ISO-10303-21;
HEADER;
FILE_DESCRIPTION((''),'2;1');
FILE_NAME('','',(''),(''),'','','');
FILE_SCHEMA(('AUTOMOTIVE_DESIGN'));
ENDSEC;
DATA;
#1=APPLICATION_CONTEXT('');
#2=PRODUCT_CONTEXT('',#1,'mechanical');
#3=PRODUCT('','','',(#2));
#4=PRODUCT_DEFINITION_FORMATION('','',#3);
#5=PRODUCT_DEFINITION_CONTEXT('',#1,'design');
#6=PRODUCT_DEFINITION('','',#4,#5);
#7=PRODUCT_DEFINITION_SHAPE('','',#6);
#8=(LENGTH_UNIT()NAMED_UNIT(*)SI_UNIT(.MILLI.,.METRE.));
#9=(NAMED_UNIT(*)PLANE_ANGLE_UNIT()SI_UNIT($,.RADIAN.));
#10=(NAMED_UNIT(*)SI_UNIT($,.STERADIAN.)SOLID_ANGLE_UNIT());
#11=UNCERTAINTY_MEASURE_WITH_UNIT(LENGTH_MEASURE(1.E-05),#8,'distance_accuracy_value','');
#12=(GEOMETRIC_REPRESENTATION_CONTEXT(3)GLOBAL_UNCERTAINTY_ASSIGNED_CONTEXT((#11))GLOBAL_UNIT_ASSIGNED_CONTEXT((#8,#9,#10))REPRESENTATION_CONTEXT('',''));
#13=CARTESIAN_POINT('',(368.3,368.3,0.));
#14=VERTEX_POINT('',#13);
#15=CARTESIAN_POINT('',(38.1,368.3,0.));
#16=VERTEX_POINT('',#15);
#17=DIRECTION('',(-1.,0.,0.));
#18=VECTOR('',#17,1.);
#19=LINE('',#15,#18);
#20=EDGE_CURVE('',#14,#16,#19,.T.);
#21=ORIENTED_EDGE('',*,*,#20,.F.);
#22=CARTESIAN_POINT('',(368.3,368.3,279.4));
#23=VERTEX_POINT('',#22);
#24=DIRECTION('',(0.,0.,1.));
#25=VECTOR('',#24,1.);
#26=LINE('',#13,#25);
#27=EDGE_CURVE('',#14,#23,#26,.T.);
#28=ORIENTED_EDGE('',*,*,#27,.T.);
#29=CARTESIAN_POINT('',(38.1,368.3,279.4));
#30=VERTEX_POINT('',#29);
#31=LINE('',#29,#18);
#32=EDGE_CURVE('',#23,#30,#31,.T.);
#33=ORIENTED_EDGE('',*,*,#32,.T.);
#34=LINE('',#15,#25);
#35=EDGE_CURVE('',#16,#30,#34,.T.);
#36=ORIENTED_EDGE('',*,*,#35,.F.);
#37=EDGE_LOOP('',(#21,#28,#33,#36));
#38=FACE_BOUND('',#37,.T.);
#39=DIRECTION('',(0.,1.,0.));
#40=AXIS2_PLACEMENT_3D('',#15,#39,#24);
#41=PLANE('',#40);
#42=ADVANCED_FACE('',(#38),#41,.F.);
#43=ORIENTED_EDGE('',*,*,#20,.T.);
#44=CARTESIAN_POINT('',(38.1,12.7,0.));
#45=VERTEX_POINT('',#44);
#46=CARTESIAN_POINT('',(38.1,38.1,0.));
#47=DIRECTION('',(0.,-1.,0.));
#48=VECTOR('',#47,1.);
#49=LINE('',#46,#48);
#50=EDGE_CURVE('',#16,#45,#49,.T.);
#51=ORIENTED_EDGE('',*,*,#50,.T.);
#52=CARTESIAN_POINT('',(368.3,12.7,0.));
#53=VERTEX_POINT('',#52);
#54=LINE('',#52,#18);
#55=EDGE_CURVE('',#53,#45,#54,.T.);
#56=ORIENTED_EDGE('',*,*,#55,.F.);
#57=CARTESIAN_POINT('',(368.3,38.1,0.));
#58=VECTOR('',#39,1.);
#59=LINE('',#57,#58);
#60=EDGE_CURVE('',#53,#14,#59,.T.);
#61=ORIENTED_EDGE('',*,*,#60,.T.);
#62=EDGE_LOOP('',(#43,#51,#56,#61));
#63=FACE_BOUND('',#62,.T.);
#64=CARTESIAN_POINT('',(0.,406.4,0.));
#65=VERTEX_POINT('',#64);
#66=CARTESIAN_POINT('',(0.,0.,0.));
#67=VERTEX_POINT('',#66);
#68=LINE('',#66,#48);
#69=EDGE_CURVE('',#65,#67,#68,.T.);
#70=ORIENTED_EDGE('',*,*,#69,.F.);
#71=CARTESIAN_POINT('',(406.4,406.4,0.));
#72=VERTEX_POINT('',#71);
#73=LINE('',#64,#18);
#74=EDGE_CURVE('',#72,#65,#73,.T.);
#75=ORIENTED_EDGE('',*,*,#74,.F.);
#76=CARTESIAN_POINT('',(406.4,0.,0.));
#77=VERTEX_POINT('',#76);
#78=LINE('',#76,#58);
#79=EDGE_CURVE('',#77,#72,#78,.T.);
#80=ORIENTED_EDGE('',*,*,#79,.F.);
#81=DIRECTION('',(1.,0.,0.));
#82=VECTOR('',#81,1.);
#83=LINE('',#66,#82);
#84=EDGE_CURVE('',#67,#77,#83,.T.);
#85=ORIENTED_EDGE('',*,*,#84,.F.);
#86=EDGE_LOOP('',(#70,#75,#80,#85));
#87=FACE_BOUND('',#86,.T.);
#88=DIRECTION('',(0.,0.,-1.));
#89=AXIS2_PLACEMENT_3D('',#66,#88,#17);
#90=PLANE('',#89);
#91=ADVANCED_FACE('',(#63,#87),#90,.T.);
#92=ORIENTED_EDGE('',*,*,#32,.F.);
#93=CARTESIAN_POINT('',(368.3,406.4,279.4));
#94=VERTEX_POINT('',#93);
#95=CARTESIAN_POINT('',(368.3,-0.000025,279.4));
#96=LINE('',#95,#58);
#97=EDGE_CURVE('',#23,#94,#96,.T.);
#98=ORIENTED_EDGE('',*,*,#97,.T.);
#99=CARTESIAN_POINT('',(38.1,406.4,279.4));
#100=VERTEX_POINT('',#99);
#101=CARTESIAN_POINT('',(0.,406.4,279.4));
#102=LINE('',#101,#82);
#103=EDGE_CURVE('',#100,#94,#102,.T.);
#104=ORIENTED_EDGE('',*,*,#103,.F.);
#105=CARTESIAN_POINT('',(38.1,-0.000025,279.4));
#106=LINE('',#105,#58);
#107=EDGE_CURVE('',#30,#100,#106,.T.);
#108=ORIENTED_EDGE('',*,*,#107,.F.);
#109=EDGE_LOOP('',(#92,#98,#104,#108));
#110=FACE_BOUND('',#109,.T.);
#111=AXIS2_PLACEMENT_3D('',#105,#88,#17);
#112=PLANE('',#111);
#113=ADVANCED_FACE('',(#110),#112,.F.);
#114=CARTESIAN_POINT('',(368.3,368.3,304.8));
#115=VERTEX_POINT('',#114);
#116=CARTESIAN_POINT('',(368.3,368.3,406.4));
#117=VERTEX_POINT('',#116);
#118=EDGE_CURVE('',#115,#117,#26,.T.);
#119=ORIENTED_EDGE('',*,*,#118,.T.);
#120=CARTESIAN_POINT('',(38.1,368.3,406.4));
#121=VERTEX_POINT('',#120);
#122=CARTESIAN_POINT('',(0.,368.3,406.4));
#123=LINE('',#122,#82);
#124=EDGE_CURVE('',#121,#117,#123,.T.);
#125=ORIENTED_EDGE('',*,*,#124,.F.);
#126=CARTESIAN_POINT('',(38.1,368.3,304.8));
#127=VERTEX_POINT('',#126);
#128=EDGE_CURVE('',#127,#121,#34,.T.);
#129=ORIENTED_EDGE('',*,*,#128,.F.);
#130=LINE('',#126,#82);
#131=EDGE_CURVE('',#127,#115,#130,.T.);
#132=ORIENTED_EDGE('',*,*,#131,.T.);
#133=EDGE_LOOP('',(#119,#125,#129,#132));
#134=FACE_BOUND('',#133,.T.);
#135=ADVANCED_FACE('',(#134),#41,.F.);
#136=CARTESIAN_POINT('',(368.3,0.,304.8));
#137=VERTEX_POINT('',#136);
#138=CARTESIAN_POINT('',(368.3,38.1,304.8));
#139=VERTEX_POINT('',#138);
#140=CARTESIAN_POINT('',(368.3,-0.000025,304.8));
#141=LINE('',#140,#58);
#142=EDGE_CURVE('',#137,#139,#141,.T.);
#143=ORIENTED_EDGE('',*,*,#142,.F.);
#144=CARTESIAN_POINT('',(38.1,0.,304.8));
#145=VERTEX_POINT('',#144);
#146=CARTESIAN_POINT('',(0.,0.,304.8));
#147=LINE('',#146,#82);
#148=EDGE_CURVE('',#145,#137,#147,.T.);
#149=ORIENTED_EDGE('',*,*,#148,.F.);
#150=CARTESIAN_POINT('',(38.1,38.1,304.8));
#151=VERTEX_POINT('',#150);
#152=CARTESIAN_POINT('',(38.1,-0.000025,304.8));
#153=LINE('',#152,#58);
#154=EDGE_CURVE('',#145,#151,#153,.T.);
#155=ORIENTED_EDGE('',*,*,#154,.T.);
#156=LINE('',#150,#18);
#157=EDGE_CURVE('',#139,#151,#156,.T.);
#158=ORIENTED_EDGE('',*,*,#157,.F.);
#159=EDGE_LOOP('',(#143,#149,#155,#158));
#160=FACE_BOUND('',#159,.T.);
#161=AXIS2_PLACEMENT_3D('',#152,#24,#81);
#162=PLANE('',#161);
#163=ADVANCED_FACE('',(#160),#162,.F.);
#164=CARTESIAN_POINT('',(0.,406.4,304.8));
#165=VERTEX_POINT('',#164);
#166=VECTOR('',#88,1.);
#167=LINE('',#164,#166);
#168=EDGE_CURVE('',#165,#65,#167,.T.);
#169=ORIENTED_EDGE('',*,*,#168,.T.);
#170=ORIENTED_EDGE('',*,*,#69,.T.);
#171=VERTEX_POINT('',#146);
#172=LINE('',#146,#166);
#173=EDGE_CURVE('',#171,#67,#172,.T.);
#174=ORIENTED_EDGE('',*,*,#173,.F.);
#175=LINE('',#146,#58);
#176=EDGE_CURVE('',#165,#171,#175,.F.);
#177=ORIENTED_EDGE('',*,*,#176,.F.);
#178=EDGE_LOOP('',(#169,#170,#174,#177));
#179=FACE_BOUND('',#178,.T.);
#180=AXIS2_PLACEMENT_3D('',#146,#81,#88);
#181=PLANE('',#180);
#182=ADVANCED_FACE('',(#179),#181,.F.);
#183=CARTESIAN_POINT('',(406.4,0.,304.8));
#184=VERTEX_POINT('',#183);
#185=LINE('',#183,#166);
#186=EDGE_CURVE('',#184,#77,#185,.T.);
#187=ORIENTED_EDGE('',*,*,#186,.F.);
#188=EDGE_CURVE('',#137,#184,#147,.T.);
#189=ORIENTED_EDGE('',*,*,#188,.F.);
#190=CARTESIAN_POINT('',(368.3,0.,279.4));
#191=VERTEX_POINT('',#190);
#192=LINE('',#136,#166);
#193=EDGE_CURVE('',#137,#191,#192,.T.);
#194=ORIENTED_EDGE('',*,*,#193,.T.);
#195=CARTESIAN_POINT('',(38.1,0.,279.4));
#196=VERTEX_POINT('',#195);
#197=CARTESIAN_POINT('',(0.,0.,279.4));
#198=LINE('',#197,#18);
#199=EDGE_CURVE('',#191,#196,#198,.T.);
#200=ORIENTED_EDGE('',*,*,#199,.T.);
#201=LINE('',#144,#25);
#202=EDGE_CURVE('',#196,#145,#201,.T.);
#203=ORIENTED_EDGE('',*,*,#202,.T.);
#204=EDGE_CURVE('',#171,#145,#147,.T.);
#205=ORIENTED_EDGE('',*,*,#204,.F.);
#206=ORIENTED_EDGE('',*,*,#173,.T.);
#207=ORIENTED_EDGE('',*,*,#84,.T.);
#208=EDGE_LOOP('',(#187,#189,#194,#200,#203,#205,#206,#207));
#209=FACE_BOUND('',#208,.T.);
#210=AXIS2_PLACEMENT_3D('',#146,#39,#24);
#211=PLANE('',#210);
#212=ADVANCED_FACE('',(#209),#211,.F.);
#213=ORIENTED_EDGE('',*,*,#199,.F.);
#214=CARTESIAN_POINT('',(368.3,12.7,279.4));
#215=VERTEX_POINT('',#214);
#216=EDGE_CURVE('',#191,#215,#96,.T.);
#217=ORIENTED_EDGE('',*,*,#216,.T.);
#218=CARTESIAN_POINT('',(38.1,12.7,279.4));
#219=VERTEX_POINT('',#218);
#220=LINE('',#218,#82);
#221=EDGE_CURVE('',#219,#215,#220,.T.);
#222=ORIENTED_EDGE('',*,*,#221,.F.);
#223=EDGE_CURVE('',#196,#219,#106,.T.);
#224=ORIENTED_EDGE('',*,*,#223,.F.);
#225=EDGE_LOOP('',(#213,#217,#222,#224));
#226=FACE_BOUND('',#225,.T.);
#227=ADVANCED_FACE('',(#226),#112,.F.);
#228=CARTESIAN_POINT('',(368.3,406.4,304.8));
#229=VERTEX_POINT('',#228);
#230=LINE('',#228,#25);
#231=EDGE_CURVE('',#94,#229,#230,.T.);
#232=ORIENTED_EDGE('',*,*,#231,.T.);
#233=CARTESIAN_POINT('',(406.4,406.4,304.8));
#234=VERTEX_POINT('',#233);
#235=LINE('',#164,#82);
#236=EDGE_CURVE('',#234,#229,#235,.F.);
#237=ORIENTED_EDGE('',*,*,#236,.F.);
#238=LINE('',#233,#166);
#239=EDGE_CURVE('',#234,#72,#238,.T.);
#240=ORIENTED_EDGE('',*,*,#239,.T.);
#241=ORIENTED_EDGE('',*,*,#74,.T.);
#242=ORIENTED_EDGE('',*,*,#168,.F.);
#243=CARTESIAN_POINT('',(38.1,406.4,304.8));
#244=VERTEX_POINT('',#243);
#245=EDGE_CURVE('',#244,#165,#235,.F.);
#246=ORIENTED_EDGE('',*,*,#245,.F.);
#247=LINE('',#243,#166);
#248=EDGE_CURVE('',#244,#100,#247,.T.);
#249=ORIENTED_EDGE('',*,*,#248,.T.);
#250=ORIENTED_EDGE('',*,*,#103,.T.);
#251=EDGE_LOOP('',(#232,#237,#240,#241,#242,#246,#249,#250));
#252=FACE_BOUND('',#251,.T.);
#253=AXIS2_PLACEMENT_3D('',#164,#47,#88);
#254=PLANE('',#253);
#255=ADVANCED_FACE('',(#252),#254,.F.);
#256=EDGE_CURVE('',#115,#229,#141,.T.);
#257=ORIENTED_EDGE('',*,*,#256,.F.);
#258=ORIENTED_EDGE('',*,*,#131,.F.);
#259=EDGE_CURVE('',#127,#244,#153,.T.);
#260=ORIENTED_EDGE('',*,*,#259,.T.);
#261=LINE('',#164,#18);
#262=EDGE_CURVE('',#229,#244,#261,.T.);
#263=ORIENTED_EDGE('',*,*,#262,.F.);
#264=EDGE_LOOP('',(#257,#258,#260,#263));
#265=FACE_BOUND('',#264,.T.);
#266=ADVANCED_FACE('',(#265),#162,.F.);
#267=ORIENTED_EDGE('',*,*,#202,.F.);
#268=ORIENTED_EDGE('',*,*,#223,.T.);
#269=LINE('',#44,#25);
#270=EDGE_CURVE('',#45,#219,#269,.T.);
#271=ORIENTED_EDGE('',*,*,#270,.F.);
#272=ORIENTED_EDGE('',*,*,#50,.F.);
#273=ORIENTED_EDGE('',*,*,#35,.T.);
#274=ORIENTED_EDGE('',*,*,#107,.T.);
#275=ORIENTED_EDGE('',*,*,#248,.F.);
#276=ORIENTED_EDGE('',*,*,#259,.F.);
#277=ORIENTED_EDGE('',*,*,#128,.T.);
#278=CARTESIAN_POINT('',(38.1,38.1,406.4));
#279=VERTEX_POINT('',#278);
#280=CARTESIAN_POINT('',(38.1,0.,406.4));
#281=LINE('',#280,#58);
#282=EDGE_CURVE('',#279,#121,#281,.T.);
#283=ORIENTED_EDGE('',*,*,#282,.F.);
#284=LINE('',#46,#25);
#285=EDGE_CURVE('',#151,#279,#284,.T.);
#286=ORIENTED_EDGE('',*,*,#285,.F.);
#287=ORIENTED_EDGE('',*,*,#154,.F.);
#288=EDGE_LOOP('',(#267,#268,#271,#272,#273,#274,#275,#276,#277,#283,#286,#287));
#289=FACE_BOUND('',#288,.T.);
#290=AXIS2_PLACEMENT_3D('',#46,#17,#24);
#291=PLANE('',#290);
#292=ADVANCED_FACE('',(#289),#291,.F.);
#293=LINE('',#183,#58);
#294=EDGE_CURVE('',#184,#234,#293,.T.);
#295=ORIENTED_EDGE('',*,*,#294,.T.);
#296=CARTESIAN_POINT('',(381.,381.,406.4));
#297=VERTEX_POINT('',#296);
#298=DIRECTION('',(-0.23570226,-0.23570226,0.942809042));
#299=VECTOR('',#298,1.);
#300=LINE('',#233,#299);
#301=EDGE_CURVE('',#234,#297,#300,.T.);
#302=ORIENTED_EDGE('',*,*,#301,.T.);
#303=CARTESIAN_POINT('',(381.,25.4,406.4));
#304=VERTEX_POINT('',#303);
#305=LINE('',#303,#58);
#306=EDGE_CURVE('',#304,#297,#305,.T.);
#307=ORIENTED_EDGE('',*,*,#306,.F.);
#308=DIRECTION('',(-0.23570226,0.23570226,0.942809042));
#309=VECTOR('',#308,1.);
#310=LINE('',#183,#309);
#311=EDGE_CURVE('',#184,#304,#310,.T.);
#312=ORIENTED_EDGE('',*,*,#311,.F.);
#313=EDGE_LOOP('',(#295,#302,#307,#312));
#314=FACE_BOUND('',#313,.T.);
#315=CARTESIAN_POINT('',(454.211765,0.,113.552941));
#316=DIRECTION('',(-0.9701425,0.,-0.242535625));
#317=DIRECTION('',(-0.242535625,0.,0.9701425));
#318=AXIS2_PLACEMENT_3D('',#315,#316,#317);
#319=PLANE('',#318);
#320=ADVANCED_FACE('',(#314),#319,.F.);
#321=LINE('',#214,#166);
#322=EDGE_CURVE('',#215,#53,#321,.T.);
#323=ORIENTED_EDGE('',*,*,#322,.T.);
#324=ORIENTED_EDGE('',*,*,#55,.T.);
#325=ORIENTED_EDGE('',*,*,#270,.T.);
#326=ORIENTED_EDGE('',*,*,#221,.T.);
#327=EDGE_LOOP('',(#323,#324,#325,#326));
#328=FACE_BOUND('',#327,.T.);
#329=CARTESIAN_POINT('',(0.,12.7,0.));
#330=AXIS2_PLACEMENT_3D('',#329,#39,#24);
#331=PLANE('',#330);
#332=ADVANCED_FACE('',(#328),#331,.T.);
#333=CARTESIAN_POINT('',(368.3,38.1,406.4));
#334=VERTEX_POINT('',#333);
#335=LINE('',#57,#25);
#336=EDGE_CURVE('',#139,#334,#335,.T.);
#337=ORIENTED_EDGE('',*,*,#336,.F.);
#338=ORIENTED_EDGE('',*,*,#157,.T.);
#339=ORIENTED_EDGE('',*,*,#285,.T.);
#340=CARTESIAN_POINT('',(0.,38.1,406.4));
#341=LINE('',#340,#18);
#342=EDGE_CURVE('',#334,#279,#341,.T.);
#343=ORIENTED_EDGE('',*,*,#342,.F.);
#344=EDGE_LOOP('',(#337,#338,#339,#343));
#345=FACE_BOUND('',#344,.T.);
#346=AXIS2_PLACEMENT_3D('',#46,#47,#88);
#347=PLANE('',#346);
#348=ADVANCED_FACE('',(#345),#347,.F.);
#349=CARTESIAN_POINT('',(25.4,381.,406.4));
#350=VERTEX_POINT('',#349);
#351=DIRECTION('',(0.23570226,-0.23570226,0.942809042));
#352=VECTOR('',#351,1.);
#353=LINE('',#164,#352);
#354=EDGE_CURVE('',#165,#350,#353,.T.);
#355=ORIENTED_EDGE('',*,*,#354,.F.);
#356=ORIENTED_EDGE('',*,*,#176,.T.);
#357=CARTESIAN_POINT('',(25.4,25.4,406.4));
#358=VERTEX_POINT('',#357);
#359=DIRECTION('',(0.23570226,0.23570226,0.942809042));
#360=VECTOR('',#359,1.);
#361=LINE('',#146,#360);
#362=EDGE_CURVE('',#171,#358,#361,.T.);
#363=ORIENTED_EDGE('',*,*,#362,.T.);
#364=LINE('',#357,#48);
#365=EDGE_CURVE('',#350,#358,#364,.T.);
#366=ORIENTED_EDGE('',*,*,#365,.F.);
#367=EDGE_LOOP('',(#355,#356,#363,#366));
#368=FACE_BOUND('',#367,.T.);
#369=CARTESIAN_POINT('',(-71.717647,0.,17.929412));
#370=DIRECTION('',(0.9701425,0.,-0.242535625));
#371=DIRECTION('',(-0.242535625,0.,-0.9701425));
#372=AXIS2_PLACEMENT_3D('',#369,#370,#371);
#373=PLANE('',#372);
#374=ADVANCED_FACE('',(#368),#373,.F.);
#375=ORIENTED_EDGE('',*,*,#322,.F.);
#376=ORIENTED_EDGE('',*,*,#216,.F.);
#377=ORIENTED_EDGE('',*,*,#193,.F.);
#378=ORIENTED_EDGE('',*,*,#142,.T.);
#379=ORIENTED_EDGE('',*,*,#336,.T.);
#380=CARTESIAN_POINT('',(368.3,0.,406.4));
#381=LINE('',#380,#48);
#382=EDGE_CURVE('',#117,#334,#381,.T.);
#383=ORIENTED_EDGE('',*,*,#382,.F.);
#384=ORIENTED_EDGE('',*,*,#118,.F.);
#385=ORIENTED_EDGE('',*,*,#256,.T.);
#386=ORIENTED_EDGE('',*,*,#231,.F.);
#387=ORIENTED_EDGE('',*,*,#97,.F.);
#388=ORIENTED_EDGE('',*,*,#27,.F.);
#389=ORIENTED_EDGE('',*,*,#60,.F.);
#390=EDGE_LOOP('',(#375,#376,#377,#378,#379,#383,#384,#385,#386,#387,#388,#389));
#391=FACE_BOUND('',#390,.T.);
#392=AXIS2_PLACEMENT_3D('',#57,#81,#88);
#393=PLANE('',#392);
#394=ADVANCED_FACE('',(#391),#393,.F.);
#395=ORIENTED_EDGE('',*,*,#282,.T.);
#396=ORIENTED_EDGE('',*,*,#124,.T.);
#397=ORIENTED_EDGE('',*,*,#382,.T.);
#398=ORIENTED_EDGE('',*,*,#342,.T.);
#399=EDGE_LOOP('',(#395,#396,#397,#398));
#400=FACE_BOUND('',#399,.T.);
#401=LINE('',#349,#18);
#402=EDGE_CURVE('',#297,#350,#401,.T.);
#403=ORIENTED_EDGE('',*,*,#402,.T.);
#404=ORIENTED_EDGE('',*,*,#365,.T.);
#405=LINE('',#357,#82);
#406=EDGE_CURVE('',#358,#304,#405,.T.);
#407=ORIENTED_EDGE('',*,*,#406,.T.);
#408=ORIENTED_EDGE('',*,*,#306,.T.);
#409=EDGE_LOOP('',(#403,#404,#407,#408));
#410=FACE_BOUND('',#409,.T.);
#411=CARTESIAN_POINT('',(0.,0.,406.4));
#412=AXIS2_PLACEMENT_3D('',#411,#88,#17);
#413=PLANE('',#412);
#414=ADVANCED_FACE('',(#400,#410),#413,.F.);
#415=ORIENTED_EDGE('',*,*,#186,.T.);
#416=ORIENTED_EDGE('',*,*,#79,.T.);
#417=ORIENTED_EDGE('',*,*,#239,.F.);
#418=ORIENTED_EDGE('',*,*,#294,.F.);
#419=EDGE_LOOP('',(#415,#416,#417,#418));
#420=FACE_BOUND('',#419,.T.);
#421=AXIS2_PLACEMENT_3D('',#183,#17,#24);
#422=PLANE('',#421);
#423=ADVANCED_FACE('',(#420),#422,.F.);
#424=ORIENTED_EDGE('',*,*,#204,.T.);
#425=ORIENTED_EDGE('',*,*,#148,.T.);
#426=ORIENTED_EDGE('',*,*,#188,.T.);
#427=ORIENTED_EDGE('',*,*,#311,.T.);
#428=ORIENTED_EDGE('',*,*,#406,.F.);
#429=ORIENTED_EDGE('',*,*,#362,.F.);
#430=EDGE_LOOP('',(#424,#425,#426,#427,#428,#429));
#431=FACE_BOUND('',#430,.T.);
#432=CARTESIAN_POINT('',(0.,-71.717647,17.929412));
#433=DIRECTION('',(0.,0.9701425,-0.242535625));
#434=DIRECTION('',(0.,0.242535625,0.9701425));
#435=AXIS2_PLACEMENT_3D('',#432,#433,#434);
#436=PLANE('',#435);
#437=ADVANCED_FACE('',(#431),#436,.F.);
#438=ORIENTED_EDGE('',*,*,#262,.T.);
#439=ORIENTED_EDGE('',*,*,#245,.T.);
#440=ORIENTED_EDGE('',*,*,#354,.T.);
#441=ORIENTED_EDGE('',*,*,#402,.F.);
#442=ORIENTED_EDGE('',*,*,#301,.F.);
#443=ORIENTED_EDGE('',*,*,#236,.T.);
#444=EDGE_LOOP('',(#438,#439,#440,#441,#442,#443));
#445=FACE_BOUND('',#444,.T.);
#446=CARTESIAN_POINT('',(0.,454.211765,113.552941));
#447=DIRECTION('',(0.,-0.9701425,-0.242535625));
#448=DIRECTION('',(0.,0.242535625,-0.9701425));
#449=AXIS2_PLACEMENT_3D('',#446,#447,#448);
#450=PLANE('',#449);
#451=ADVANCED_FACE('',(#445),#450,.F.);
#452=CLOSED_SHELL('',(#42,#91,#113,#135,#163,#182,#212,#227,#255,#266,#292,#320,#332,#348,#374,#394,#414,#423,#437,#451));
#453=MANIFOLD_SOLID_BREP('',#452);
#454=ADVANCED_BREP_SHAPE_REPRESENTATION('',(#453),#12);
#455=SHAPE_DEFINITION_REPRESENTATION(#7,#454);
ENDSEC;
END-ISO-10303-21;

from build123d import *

# Parameters (mm, degrees)
SKETCH1_W               = 406.4
SKETCH1_H               = 406.4
BOSS_EXTRUDE1_DEPTH     = 304.8
CUT_EXTRUDE2_DEPTH      = 704.905448311
CUT_EXTRUDE2_DEPTH_BACK = 704.905448311
SKETCH6_W               = 330.2
SKETCH6_H               = 330.2
CUT_EXTRUDE3_DEPTH      = 704.905448369
CUT_EXTRUDE3_DEPTH_BACK = 704.905448369
SKETCH7_W               = 330.2
SKETCH7_H               = 25.4
SKETCH8_W               = 330.2
SKETCH8_H               = 279.4
CUT_EXTRUDE4_DEPTH      = 25.4


with BuildPart() as part:
    # Sketch1 → Boss-Extrude1 (new body)
    with BuildSketch(Plane.XY):
        with Locations((203.2, 203.2)):
            Rectangle(SKETCH1_W, SKETCH1_H)
    extrude(amount=BOSS_EXTRUDE1_DEPTH)

    # Sketch2 → section 1 of loft1
    with BuildSketch(Plane.XY.offset(406.4), mode=Mode.PRIVATE) as loft1_s1:
        with BuildLine():
            Line((25.4, 25.4), (381, 25.4))
            Line((381, 25.4), (381, 381))
            Line((381, 381), (25.4, 381))
            Line((25.4, 381), (25.4, 25.4))
        make_face()
    # loft from a face of the part (loft1)
    loft([part.faces().sort_by_distance((203.2, 203.2, 304.8))[0], loft1_s1.sketch])

    # Sketch6 → Cut-Extrude2 (cut, two sides: drawn at the far end of the back side and taken through both)
    with BuildSketch(Plane.XY.offset(406.4).offset(-CUT_EXTRUDE2_DEPTH_BACK)):
        with Locations((203.2, 203.2)):
            Rectangle(SKETCH6_W, SKETCH6_H)
    extrude(amount=CUT_EXTRUDE2_DEPTH + CUT_EXTRUDE2_DEPTH_BACK, mode=Mode.SUBTRACT)

    # Sketch7 → Cut-Extrude3 (cut, two sides: drawn at the far end of the back side and taken through both)
    with BuildSketch(Plane(origin=(0, 406.4, 0), x_dir=(1, 0, 0), z_dir=(0, 1, 0)).offset(-CUT_EXTRUDE3_DEPTH_BACK)):
        with Locations((203.2, -292.1)):
            Rectangle(SKETCH7_W, SKETCH7_H)
    extrude(amount=CUT_EXTRUDE3_DEPTH + CUT_EXTRUDE3_DEPTH_BACK, mode=Mode.SUBTRACT)

    # Sketch8 → Cut-Extrude4 (cut)
    with BuildSketch(Plane(origin=(0, 38.1, 0), x_dir=(1, 0, 0), z_dir=(0, 1, 0))):
        with Locations((203.2, -139.7)):
            Rectangle(SKETCH8_W, SKETCH8_H)
    extrude(amount=-CUT_EXTRUDE4_DEPTH, mode=Mode.SUBTRACT)


solid = part.part
